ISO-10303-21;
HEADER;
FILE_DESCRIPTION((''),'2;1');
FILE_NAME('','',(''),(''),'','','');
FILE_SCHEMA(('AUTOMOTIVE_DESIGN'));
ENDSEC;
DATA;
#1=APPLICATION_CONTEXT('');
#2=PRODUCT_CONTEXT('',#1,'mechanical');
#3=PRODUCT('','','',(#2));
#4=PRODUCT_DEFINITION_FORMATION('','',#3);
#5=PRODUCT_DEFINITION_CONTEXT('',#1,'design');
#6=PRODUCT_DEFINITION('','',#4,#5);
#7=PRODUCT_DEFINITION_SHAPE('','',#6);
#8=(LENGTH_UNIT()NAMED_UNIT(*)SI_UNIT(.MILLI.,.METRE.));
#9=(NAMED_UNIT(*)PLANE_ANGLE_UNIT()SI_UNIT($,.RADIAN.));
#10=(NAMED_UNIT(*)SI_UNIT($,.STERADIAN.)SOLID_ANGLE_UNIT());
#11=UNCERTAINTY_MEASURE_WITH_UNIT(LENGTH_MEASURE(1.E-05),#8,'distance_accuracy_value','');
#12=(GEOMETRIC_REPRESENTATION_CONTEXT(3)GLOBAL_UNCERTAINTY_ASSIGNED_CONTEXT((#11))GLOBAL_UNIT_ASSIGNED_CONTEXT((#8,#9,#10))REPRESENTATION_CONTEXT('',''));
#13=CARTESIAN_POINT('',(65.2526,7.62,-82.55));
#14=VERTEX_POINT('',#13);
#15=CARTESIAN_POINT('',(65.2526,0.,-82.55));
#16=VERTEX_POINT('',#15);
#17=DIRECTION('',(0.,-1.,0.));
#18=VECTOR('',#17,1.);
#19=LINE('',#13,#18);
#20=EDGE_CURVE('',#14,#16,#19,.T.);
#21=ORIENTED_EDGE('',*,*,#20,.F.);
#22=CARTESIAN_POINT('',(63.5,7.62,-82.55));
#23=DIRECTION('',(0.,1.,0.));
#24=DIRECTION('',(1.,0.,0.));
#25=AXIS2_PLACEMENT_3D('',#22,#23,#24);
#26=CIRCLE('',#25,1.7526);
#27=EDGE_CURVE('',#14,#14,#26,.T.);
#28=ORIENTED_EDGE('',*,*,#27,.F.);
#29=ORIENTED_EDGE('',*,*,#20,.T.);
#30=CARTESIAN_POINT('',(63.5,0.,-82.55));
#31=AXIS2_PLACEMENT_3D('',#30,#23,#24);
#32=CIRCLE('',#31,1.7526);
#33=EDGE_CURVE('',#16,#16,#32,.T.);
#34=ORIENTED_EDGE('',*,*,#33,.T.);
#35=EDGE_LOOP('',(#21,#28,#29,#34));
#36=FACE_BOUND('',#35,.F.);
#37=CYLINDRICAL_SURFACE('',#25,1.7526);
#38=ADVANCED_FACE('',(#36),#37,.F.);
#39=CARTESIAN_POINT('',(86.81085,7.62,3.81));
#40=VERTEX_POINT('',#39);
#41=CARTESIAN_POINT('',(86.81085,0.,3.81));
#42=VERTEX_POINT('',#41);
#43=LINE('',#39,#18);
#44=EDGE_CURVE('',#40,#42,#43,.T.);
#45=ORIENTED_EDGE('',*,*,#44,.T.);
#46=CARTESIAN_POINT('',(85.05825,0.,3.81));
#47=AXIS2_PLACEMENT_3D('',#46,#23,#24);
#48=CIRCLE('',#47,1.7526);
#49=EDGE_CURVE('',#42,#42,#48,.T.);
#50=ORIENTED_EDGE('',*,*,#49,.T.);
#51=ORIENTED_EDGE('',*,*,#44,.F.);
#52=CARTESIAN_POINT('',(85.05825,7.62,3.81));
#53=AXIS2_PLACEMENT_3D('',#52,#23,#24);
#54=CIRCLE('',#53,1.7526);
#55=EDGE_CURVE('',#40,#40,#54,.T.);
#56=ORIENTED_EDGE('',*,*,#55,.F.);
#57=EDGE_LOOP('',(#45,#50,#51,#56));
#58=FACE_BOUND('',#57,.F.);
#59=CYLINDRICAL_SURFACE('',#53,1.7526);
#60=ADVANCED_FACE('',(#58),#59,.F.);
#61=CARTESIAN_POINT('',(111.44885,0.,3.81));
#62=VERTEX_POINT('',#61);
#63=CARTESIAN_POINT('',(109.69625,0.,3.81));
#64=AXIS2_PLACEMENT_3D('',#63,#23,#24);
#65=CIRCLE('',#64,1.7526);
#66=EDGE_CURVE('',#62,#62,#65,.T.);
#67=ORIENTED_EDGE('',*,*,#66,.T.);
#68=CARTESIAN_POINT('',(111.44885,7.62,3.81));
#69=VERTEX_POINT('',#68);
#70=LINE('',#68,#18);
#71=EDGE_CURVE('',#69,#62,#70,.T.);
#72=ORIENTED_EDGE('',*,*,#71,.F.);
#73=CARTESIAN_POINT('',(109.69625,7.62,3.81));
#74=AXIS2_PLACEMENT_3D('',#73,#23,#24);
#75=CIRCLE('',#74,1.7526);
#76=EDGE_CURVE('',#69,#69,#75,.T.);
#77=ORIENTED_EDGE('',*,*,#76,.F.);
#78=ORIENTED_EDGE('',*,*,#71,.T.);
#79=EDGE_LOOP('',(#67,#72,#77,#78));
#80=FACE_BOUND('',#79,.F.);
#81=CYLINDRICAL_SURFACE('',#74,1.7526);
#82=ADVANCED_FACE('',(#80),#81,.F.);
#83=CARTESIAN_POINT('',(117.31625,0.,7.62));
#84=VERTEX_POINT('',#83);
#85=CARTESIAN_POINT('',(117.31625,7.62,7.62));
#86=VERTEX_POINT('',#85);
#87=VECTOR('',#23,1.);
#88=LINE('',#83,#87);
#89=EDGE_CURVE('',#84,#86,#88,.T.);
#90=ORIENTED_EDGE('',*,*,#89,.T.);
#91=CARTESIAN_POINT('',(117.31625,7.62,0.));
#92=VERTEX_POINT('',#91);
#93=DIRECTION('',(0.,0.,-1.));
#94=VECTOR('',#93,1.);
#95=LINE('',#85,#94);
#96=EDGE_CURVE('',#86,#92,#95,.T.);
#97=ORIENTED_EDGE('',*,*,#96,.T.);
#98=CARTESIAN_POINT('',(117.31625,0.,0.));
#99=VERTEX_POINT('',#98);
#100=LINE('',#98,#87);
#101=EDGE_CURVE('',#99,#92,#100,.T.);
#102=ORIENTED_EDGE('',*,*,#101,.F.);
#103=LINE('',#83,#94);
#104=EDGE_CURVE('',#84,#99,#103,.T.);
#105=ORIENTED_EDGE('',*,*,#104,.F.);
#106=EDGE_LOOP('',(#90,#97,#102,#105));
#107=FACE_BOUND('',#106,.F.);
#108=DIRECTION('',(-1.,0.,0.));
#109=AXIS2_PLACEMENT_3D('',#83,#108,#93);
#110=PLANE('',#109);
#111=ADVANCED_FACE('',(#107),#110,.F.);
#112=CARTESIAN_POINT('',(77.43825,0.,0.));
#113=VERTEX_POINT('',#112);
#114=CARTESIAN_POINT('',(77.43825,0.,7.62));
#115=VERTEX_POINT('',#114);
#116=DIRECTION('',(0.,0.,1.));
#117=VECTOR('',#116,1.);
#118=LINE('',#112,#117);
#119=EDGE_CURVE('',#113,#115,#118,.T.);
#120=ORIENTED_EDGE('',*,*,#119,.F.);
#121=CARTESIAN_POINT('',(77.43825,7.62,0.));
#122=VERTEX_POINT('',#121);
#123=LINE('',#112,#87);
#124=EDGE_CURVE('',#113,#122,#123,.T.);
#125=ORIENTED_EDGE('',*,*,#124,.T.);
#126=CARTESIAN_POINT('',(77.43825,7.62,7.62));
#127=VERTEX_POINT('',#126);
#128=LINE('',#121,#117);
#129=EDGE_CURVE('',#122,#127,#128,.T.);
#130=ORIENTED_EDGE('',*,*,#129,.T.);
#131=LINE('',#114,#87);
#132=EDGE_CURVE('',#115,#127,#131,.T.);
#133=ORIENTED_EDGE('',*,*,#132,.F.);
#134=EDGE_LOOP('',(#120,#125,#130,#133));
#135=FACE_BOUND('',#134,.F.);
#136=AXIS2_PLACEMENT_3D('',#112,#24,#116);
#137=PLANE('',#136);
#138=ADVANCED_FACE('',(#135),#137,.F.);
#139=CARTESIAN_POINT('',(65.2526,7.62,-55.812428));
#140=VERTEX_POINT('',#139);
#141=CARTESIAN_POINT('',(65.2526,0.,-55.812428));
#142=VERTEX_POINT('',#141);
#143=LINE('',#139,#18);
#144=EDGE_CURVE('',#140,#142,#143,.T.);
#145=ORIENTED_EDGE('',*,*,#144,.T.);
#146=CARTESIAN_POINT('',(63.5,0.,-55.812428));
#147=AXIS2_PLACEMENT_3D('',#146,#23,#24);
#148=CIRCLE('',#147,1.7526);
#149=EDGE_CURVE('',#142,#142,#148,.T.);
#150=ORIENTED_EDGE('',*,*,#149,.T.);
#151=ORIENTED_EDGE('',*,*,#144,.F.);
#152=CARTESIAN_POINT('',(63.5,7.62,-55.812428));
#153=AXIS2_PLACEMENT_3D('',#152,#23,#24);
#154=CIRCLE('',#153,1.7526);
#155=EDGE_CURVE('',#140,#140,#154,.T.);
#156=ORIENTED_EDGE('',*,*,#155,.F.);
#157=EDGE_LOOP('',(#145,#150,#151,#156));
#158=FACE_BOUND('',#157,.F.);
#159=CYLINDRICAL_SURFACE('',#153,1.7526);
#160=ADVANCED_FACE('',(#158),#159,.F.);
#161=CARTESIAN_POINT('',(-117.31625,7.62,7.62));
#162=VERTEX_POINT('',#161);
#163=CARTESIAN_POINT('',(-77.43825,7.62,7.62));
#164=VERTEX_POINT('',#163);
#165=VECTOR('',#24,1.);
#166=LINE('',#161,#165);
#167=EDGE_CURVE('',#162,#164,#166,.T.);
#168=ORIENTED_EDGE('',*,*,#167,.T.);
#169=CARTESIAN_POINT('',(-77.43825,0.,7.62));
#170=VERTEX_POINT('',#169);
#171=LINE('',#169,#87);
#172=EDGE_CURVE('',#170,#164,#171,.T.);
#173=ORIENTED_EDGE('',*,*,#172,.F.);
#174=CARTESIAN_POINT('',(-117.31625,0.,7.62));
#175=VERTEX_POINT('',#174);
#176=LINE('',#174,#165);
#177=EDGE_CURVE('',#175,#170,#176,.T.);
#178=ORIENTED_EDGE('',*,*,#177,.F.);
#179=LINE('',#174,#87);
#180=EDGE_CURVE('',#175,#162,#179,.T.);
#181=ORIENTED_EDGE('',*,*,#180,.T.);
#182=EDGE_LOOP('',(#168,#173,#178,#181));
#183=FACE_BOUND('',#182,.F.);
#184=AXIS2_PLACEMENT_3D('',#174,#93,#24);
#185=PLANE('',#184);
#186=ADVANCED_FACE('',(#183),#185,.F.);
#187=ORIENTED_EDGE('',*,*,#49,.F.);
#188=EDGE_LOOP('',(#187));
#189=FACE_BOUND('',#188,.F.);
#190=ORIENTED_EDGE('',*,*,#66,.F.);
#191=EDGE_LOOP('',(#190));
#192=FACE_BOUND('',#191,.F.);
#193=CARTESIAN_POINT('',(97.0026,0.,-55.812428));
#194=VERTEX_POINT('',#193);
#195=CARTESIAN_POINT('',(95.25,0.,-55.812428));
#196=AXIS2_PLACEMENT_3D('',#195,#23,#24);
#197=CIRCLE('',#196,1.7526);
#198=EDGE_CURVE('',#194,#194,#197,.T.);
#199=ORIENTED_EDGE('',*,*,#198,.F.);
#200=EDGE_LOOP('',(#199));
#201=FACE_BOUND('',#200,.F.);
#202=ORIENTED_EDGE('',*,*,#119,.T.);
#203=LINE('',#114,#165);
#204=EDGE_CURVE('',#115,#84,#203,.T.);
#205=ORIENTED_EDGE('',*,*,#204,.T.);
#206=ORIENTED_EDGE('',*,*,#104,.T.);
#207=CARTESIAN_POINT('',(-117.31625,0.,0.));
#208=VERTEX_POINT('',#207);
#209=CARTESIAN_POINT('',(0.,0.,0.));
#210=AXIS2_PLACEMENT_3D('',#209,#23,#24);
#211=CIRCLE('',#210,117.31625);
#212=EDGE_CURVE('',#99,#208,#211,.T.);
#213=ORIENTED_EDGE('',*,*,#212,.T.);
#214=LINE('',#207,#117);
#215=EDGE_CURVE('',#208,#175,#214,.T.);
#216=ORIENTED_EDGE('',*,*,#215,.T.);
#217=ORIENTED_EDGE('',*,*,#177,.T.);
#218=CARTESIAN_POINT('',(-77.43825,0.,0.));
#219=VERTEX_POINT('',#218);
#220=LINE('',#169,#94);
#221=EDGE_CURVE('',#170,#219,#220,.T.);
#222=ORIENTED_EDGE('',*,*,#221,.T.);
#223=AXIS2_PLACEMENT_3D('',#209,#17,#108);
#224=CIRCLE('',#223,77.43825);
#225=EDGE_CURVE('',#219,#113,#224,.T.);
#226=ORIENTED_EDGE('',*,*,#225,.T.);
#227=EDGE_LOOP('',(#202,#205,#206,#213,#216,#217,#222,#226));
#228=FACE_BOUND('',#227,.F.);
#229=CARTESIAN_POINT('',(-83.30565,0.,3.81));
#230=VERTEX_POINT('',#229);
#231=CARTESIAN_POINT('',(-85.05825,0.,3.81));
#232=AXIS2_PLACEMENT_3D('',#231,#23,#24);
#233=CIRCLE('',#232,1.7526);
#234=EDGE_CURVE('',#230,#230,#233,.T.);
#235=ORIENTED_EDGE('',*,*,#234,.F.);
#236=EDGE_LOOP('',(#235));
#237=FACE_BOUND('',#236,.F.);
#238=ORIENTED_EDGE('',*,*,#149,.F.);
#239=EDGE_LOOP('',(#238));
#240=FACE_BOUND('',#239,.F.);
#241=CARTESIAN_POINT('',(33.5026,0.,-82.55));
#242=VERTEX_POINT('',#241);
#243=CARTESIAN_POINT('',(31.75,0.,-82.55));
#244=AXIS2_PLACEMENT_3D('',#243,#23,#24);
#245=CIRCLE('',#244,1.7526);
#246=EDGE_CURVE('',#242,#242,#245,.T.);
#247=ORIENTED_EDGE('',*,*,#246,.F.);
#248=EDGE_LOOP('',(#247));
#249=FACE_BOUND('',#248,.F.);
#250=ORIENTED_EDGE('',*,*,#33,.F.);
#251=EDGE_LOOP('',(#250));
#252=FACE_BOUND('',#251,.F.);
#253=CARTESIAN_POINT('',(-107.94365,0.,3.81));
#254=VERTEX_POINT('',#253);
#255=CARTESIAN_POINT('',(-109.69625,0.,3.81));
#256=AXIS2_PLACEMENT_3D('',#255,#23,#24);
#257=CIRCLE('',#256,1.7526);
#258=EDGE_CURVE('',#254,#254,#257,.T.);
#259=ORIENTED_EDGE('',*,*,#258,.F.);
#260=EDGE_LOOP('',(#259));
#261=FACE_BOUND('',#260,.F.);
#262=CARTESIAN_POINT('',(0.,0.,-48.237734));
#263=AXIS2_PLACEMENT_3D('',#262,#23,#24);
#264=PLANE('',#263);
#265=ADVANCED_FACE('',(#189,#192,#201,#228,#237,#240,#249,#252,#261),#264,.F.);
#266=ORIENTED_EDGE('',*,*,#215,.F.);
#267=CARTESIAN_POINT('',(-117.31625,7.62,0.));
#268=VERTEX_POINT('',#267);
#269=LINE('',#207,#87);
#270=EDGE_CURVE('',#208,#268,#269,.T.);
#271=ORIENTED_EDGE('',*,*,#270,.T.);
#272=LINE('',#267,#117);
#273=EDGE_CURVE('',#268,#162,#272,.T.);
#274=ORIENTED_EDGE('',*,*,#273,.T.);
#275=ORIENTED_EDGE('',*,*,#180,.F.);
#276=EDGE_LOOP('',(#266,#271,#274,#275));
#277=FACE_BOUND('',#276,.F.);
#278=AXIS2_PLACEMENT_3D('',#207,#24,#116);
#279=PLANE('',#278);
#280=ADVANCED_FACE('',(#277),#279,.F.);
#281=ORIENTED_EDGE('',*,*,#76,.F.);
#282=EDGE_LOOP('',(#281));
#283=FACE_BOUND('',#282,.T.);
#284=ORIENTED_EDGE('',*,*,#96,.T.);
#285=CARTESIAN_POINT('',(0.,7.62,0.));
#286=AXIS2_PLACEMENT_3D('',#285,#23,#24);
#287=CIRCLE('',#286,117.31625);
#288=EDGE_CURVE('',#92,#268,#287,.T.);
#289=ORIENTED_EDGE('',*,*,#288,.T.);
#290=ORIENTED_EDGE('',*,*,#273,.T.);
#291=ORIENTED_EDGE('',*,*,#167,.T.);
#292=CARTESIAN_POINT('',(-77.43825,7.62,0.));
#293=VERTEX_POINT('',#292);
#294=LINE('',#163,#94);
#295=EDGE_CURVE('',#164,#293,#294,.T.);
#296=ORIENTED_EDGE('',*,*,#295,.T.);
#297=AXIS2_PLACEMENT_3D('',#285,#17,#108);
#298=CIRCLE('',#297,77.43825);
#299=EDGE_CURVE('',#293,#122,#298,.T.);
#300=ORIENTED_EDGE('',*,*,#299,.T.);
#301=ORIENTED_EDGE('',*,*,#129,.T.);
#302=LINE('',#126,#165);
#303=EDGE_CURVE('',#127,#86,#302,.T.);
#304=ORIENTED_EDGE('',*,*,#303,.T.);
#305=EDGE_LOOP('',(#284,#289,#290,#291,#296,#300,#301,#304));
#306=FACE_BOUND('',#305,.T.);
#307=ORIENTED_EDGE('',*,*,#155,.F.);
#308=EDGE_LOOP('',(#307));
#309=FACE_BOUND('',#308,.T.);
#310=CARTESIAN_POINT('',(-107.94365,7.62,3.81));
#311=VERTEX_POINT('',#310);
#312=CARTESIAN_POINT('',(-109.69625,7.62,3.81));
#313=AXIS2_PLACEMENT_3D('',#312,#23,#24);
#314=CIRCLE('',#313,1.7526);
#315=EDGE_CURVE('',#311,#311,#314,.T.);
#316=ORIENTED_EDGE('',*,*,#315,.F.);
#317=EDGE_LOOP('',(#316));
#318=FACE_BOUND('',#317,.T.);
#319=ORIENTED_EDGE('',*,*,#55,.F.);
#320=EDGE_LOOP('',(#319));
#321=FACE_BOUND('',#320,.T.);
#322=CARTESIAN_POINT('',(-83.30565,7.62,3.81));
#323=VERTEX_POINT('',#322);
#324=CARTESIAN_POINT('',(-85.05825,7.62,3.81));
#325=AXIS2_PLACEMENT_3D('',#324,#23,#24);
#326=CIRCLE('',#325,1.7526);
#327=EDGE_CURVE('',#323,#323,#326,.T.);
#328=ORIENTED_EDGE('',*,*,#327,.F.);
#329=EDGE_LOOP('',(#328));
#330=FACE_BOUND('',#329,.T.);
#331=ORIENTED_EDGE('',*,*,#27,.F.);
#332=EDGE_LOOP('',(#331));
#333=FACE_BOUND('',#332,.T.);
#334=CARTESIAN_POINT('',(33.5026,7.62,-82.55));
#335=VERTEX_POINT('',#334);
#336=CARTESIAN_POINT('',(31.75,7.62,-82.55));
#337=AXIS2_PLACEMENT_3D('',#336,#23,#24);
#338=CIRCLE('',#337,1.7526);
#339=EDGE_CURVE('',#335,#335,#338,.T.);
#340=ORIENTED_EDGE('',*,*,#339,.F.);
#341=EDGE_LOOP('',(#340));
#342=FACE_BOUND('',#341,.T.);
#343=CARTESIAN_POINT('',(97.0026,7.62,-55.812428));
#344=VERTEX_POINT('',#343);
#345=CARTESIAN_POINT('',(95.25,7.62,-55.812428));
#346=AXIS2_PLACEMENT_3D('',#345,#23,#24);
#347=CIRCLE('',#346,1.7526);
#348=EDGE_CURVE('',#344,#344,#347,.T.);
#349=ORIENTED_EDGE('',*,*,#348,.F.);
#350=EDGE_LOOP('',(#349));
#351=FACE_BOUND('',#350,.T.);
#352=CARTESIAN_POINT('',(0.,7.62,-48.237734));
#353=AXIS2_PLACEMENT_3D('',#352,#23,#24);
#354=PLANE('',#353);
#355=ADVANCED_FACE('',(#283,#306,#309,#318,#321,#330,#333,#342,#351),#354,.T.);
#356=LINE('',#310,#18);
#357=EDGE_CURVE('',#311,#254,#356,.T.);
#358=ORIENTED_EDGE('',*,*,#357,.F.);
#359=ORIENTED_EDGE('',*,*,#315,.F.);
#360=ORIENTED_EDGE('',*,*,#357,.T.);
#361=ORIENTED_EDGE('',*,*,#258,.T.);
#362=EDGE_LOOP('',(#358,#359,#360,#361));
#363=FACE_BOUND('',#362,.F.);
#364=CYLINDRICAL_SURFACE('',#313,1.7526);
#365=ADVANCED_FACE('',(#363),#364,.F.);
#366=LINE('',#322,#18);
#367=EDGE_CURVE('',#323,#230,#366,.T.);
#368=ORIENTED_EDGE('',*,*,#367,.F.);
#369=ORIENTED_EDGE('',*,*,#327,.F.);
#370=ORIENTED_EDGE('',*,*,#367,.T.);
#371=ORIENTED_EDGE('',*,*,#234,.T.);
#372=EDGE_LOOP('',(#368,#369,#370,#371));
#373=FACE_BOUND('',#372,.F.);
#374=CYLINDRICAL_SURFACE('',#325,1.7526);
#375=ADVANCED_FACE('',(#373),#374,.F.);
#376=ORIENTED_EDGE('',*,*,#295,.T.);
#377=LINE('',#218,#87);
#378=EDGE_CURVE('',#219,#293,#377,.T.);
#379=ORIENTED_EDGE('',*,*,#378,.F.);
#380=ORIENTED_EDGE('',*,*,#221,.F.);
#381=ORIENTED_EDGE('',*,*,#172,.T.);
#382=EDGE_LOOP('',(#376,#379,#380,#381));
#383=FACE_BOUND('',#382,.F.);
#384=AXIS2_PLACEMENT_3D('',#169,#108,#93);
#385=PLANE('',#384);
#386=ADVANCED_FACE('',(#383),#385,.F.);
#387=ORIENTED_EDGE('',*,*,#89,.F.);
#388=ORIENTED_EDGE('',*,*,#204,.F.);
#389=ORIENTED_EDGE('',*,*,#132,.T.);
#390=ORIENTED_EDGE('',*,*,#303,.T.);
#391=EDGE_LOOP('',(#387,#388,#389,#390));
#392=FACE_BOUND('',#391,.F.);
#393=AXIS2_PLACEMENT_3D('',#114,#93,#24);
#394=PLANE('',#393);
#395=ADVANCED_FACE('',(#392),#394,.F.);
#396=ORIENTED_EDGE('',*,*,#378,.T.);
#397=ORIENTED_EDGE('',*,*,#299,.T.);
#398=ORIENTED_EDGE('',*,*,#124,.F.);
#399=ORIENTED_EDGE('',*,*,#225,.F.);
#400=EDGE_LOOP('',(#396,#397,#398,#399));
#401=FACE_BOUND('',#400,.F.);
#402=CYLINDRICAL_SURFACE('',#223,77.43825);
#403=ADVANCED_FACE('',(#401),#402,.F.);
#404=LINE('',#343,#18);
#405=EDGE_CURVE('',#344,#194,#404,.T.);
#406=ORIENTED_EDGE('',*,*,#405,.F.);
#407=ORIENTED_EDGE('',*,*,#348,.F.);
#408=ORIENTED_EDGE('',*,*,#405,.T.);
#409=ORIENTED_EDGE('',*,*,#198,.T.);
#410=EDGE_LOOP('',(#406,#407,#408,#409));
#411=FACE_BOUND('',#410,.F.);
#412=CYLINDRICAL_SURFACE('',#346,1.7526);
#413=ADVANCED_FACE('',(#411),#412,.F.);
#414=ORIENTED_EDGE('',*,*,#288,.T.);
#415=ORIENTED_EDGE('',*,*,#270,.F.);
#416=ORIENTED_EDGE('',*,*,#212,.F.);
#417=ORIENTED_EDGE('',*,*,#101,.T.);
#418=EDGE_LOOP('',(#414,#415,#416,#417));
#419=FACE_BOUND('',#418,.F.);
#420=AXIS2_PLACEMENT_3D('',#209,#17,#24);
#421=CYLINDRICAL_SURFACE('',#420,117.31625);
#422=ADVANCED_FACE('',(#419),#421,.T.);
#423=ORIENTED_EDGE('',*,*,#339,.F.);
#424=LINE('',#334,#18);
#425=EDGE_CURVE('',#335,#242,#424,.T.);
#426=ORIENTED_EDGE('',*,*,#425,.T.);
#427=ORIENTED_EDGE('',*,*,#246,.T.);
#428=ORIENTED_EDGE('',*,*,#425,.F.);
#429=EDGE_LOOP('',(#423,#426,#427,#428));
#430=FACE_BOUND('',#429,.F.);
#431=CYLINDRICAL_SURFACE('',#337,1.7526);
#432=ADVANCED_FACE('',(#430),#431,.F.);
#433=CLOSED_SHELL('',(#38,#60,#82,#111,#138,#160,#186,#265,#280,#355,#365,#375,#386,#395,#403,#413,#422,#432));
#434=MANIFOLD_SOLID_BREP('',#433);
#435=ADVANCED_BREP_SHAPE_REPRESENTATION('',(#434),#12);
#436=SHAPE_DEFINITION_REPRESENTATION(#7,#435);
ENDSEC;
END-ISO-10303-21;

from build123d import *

# Parameters (mm, degrees)
BOSS_EXTRUDE1_DEPTH = 7.62
CUT_EXTRUDE1_REACH  = 9.62
SKETCH3_R           = 1.7526


with BuildPart() as part:
    # Sketch1 → Boss-Extrude1 (new body)
    with BuildSketch(Plane(origin=(0, 0, 0), x_dir=(1, 0, 0), z_dir=(0, 1, 0))):
        with BuildLine():
            Line((-117.31625, 0), (-117.31625, -7.62))
            Line((-117.31625, -7.62), (-77.43825, -7.62))
            Line((-77.43825, -7.62), (-77.43825, 0))
            ThreePointArc((-77.43825, 0), (0, 77.43825), (77.43825, 0))
            Line((77.43825, 0), (77.43825, -7.62))
            Line((77.43825, -7.62), (117.31625, -7.62))
            Line((117.31625, -7.62), (117.31625, 0))
            ThreePointArc((117.31625, 0), (0, 117.31625), (-117.31625, 0))
        make_face()
    extrude(amount=BOSS_EXTRUDE1_DEPTH)

    # Sketch3 → Cut-Extrude1 (cut, up to next)
    with BuildSketch(Plane(origin=(0, 7.62, 0), x_dir=(1, 0, 0), z_dir=(0, 1, 0)), mode=Mode.PRIVATE) as cut_extrude1_sk1:
        with Locations((-109.69625, -3.81)):
            Circle(SKETCH3_R)
    cut_extrude1_tool1 = extrude(cut_extrude1_sk1.sketch, amount=-CUT_EXTRUDE1_REACH, mode=Mode.PRIVATE) & part.part
    add(cut_extrude1_tool1.solids().sort_by_distance((-109.69625, 7.62, 3.81))[0], mode=Mode.SUBTRACT)
    # Sketch3 → Cut-Extrude1 (cut, up to next)
    with BuildSketch(Plane(origin=(0, 7.62, 0), x_dir=(1, 0, 0), z_dir=(0, 1, 0)), mode=Mode.PRIVATE) as cut_extrude1_sk2:
        with Locations((-85.05825, -3.81)):
            Circle(SKETCH3_R)
    cut_extrude1_tool2 = extrude(cut_extrude1_sk2.sketch, amount=-CUT_EXTRUDE1_REACH, mode=Mode.PRIVATE) & part.part
    add(cut_extrude1_tool2.solids().sort_by_distance((-85.05825, 7.62, 3.81))[0], mode=Mode.SUBTRACT)
    # Sketch3 → Cut-Extrude1 (cut, up to next)
    with BuildSketch(Plane(origin=(0, 7.62, 0), x_dir=(1, 0, 0), z_dir=(0, 1, 0)), mode=Mode.PRIVATE) as cut_extrude1_sk3:
        with Locations((85.05825, -3.81)):
            Circle(SKETCH3_R)
    cut_extrude1_tool3 = extrude(cut_extrude1_sk3.sketch, amount=-CUT_EXTRUDE1_REACH, mode=Mode.PRIVATE) & part.part
    add(cut_extrude1_tool3.solids().sort_by_distance((85.05825, 7.62, 3.81))[0], mode=Mode.SUBTRACT)
    # Sketch3 → Cut-Extrude1 (cut, up to next)
    with BuildSketch(Plane(origin=(0, 7.62, 0), x_dir=(1, 0, 0), z_dir=(0, 1, 0)), mode=Mode.PRIVATE) as cut_extrude1_sk4:
        with Locations((109.69625, -3.81)):
            Circle(SKETCH3_R)
    cut_extrude1_tool4 = extrude(cut_extrude1_sk4.sketch, amount=-CUT_EXTRUDE1_REACH, mode=Mode.PRIVATE) & part.part
    add(cut_extrude1_tool4.solids().sort_by_distance((109.69625, 7.62, 3.81))[0], mode=Mode.SUBTRACT)
    # Sketch3 → Cut-Extrude1 (cut, up to next)
    with BuildSketch(Plane(origin=(0, 7.62, 0), x_dir=(1, 0, 0), z_dir=(0, 1, 0)), mode=Mode.PRIVATE) as cut_extrude1_sk5:
        with Locations((31.75, 82.55)):
            Circle(SKETCH3_R)
    cut_extrude1_tool5 = extrude(cut_extrude1_sk5.sketch, amount=-CUT_EXTRUDE1_REACH, mode=Mode.PRIVATE) & part.part
    add(cut_extrude1_tool5.solids().sort_by_distance((31.75, 7.62, -82.55))[0], mode=Mode.SUBTRACT)
    # Sketch3 → Cut-Extrude1 (cut, up to next)
    with BuildSketch(Plane(origin=(0, 7.62, 0), x_dir=(1, 0, 0), z_dir=(0, 1, 0)), mode=Mode.PRIVATE) as cut_extrude1_sk6:
        with Locations((63.5, 82.55)):
            Circle(SKETCH3_R)
    cut_extrude1_tool6 = extrude(cut_extrude1_sk6.sketch, amount=-CUT_EXTRUDE1_REACH, mode=Mode.PRIVATE) & part.part
    add(cut_extrude1_tool6.solids().sort_by_distance((63.5, 7.62, -82.55))[0], mode=Mode.SUBTRACT)
    # Sketch3 → Cut-Extrude1 (cut, up to next)
    with BuildSketch(Plane(origin=(0, 7.62, 0), x_dir=(1, 0, 0), z_dir=(0, 1, 0)), mode=Mode.PRIVATE) as cut_extrude1_sk7:
        with Locations((63.5, 55.812428263)):
            Circle(SKETCH3_R)
    cut_extrude1_tool7 = extrude(cut_extrude1_sk7.sketch, amount=-CUT_EXTRUDE1_REACH, mode=Mode.PRIVATE) & part.part
    add(cut_extrude1_tool7.solids().sort_by_distance((63.5, 7.62, -55.812428))[0], mode=Mode.SUBTRACT)
    # Sketch3 → Cut-Extrude1 (cut, up to next)
    with BuildSketch(Plane(origin=(0, 7.62, 0), x_dir=(1, 0, 0), z_dir=(0, 1, 0)), mode=Mode.PRIVATE) as cut_extrude1_sk8:
        with Locations((95.25, 55.812428263)):
            Circle(SKETCH3_R)
    cut_extrude1_tool8 = extrude(cut_extrude1_sk8.sketch, amount=-CUT_EXTRUDE1_REACH, mode=Mode.PRIVATE) & part.part
    add(cut_extrude1_tool8.solids().sort_by_distance((95.25, 7.62, -55.812428))[0], mode=Mode.SUBTRACT)


solid = part.part
